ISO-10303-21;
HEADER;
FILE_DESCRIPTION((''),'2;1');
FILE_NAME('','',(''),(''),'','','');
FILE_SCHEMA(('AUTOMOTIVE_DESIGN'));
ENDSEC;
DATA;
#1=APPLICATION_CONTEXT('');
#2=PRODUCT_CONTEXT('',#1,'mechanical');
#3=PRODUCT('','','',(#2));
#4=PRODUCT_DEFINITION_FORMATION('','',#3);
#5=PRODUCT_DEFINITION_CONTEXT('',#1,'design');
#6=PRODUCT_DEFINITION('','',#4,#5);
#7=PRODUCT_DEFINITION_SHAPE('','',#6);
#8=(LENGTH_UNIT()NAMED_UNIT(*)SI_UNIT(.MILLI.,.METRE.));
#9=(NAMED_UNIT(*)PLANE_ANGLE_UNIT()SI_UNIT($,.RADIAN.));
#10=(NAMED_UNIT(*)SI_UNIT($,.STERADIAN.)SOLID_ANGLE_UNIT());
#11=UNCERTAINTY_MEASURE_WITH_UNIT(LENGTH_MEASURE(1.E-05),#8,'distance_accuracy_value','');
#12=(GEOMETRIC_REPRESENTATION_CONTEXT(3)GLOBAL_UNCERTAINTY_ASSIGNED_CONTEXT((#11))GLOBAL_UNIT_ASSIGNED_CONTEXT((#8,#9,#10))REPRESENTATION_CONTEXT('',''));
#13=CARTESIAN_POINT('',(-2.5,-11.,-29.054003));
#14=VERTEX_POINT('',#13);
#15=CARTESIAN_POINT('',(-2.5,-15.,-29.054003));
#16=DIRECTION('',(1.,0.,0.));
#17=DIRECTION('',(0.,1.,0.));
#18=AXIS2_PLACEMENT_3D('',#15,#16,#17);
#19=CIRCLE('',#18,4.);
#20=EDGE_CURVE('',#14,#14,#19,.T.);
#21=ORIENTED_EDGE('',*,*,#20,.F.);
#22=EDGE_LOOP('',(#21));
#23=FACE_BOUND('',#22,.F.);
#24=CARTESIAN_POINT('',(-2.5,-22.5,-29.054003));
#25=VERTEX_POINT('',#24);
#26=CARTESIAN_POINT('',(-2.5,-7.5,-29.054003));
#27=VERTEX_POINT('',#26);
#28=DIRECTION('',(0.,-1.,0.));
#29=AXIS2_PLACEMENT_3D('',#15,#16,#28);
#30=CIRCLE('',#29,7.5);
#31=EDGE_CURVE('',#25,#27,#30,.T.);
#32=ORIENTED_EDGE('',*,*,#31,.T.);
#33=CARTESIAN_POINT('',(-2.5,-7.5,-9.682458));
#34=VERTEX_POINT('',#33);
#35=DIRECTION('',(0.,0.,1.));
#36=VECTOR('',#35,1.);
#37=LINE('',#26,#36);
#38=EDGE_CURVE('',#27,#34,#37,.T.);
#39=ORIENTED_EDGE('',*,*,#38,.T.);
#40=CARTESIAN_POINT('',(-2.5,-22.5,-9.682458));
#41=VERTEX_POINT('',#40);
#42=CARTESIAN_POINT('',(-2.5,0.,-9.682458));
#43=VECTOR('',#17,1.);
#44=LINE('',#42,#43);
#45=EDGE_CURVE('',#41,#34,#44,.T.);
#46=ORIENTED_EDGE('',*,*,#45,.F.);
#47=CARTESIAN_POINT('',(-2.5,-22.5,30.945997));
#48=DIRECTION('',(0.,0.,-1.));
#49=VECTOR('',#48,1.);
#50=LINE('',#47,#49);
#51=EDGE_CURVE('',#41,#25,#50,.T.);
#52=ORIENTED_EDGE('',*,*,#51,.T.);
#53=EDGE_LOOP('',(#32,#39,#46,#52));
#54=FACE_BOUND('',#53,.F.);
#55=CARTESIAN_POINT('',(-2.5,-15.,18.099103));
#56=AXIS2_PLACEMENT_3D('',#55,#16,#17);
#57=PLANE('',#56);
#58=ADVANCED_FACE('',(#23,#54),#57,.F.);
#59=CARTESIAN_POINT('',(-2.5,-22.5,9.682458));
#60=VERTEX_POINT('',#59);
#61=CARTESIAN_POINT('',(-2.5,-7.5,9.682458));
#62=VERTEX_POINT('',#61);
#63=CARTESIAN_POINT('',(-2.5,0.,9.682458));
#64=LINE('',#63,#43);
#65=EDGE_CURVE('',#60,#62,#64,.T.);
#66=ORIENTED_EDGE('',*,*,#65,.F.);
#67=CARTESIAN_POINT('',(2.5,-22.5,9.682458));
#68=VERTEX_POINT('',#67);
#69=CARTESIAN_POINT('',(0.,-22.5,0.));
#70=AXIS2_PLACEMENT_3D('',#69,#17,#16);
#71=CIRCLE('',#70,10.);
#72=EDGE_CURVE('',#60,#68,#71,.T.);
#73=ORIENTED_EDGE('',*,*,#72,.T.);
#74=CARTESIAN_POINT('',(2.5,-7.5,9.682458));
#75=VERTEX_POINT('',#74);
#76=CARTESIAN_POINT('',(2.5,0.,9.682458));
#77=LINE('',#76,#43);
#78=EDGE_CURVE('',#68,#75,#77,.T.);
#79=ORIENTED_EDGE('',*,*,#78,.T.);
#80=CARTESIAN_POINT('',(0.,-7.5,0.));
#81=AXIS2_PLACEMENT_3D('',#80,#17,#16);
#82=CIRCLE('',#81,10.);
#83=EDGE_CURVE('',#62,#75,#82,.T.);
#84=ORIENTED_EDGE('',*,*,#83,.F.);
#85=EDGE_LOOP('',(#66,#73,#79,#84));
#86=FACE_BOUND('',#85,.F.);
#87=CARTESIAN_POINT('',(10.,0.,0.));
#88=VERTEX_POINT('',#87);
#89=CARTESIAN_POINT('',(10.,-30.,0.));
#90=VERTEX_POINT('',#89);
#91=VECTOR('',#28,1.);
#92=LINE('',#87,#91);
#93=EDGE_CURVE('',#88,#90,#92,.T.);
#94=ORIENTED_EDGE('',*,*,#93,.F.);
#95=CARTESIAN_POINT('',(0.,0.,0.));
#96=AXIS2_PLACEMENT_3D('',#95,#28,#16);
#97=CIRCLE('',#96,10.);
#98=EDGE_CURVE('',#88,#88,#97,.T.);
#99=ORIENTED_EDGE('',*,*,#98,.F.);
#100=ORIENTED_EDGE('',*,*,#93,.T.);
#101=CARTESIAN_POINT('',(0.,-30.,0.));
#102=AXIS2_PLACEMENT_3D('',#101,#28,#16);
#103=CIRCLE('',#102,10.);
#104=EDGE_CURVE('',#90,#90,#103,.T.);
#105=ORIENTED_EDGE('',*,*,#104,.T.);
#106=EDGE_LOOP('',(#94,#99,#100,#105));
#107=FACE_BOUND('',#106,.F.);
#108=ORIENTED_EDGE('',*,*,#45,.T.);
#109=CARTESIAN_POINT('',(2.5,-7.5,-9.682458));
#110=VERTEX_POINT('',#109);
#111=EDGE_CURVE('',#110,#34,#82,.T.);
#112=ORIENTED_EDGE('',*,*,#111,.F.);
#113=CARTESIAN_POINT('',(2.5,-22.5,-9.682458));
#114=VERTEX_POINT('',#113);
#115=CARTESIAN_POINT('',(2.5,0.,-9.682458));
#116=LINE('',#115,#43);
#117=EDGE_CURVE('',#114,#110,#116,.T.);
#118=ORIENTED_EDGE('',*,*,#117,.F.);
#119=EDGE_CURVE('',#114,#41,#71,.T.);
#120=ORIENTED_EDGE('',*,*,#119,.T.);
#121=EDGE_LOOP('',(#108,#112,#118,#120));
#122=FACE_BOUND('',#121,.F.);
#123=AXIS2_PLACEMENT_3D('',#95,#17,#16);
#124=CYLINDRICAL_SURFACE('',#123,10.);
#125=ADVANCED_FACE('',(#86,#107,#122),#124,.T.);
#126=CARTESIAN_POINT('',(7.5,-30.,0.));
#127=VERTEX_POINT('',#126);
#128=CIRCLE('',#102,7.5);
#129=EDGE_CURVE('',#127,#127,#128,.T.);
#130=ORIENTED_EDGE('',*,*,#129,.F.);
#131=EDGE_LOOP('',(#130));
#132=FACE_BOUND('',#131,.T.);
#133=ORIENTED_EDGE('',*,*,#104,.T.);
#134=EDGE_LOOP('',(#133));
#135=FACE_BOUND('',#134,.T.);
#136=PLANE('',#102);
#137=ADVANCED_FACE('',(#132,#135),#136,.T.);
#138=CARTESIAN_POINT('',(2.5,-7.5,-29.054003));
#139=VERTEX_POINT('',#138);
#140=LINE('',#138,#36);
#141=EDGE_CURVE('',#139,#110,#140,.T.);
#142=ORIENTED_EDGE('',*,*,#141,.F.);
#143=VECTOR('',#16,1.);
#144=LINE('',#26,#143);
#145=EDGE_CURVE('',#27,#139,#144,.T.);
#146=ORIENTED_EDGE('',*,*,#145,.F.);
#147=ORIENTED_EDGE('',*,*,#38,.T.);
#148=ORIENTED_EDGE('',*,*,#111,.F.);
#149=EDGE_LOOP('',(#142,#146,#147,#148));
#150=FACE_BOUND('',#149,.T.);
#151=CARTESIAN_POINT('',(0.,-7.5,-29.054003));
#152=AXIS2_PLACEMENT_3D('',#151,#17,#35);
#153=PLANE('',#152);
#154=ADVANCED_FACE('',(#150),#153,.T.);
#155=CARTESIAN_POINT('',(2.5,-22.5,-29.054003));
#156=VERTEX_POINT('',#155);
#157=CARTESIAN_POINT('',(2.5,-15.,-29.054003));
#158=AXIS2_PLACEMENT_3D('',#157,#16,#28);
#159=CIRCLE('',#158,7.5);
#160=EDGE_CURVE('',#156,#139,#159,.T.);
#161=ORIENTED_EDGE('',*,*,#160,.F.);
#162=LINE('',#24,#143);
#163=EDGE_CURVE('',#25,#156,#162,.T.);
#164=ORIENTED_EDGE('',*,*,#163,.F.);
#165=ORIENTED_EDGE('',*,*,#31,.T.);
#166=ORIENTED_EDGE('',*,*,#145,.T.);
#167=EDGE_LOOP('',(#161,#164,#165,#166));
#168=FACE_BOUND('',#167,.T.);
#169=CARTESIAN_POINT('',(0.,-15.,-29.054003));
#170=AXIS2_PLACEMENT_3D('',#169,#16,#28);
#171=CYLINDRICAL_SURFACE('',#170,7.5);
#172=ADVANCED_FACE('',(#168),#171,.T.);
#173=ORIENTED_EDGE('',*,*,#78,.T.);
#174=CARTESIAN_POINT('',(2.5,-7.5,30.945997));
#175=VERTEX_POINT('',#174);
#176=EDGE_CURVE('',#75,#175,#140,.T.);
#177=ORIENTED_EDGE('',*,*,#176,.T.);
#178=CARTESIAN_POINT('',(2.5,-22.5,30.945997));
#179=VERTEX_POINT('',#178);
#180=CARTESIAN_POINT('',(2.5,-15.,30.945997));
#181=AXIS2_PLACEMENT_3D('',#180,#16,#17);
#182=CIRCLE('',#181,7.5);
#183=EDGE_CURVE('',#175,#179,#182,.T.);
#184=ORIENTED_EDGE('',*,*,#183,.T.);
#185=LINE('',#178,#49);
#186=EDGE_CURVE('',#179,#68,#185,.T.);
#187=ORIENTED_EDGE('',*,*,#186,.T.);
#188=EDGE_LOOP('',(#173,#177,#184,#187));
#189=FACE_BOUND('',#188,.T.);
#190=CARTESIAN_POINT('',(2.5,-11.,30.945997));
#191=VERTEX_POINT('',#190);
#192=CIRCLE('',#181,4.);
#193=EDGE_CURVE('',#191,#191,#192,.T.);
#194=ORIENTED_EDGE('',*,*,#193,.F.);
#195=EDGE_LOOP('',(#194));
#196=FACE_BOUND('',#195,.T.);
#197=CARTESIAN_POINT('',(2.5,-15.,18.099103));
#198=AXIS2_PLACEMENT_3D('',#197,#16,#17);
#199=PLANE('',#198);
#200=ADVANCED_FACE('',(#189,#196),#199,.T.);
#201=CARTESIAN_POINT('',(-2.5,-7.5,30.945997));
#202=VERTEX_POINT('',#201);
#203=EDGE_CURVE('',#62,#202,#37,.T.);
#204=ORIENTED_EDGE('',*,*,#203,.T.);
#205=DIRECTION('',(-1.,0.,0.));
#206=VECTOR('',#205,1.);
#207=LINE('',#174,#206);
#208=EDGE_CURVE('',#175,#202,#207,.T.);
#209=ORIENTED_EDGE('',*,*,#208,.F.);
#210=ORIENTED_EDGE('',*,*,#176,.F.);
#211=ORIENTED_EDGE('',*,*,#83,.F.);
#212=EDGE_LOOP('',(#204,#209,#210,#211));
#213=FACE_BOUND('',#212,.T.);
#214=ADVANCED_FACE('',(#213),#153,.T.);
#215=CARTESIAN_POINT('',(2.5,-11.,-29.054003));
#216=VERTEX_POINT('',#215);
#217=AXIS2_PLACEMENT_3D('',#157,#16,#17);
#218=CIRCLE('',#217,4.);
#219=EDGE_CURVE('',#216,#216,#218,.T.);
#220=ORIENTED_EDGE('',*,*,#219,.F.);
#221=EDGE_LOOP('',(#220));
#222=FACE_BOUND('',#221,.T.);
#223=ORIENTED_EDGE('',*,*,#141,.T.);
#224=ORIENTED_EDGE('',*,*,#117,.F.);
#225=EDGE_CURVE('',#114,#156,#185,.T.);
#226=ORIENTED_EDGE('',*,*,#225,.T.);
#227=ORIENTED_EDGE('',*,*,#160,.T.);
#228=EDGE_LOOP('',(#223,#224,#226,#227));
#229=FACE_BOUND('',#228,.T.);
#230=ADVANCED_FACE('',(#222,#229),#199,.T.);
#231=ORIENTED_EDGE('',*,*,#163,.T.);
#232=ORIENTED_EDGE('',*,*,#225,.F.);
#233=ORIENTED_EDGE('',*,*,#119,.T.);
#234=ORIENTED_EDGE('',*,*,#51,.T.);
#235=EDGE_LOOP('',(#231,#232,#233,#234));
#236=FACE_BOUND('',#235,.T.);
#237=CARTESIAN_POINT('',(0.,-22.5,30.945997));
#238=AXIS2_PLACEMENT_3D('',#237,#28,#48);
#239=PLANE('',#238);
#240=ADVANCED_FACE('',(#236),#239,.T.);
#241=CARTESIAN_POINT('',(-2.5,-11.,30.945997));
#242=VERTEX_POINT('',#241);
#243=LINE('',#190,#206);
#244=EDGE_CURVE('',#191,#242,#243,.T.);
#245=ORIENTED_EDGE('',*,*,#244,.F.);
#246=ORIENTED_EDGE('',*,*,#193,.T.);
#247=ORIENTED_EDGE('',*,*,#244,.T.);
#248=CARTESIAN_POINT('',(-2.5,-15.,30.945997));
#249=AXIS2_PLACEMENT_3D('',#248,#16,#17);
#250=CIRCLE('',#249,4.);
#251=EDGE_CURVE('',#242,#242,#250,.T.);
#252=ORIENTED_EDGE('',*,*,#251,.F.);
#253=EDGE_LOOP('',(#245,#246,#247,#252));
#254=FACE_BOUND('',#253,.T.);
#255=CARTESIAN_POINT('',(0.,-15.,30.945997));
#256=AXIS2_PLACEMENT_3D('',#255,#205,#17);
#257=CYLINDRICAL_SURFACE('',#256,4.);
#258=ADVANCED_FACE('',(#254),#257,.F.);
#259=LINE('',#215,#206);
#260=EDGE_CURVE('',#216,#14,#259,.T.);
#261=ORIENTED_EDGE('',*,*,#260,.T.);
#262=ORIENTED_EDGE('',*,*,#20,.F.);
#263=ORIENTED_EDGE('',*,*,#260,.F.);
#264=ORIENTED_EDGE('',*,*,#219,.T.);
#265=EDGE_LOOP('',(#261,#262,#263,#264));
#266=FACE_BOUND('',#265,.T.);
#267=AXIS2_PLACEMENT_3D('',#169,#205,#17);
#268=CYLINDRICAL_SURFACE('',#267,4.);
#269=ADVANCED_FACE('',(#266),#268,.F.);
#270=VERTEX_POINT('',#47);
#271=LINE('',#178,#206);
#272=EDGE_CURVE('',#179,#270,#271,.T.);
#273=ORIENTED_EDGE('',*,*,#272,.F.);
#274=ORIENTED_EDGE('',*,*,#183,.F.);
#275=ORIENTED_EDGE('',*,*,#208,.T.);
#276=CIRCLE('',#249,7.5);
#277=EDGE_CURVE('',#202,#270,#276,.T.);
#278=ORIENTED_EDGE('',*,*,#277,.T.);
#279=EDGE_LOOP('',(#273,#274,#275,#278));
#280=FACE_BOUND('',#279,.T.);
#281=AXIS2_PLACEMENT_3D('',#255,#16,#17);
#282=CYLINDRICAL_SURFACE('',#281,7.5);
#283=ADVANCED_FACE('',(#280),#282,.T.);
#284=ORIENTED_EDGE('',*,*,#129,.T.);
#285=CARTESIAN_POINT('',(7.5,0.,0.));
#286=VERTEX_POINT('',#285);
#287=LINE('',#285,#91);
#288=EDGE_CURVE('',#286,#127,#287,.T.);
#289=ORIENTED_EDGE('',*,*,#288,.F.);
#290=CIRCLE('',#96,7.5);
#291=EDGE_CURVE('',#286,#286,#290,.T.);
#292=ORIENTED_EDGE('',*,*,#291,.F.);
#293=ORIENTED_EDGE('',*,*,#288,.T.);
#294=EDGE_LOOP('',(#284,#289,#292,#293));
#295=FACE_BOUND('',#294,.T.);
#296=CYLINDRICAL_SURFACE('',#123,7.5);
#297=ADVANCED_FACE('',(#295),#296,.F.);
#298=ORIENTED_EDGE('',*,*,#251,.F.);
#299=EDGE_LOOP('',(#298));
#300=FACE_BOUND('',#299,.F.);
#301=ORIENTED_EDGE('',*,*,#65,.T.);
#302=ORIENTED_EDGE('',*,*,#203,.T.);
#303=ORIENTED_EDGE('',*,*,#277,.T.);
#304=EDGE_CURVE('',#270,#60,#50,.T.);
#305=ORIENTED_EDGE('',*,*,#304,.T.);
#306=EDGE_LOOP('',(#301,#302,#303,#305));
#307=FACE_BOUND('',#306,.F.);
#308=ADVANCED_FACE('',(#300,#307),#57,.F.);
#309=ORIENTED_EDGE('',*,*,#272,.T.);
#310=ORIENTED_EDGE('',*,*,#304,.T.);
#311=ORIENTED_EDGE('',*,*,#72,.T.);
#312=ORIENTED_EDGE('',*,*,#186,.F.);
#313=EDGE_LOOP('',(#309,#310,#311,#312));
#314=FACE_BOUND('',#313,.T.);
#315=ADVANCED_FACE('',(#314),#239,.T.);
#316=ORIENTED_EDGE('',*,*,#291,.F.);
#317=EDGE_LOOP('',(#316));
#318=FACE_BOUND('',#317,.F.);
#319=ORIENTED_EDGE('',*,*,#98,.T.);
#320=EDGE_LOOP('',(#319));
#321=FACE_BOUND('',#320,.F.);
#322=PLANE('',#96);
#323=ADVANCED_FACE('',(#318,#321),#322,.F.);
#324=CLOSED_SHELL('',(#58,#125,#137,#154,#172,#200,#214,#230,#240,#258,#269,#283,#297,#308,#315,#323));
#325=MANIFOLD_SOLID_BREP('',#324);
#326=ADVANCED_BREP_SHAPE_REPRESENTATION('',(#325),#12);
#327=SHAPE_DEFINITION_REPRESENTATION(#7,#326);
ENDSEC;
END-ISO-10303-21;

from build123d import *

# Parameters (mm, degrees)
F0_R     = 10
F0_R_2   = 7.5
F1_DEPTH = 30
F2_R     = 4
F3_DEPTH = 2.5
F4_R     = 7.5
F5_DEPTH = 30.001


with BuildPart() as f1:
    # F0 (on Front) → F1 (new body)
    with BuildSketch(Plane.XZ):
        Circle(F0_R)
        Circle(F0_R_2, mode=Mode.SUBTRACT)
    extrude(amount=F1_DEPTH)

    # F2 (on Right) → F3 (join, symmetric)
    with BuildSketch(Plane.YZ):
        with BuildLine():
            Line((-22.5, 0.945997), (-7.5, 0.945997))
            Line((-7.5, 0.945997), (-7.5, 30.945997))
            ThreePointArc((-7.5, 30.945997), (-15, 38.445997), (-22.5, 30.945997))
            Line((-22.5, 30.945997), (-22.5, 0.945997))
        make_face()
        with Locations((-15, 30.945997)):
            Circle(F2_R, mode=Mode.SUBTRACT)
        with BuildLine():
            Line((-7.5, -29.054003), (-7.5, 0.945997))
            Line((-7.5, 0.945997), (-22.5, 0.945997))
            Line((-22.5, 0.945997), (-22.5, -29.054003))
            ThreePointArc((-22.5, -29.054003), (-15, -36.554003), (-7.5, -29.054003))
        make_face()
        with Locations((-15, -29.054003)):
            Circle(F2_R, mode=Mode.SUBTRACT)
    extrude(amount=F3_DEPTH, both=True)

    # F4 (on face) → F5 (cut, through all)
    with BuildSketch(Plane.XZ.offset(30)):
        Circle(F4_R)
    extrude(amount=-F5_DEPTH, mode=Mode.SUBTRACT)


solid = f1.part
